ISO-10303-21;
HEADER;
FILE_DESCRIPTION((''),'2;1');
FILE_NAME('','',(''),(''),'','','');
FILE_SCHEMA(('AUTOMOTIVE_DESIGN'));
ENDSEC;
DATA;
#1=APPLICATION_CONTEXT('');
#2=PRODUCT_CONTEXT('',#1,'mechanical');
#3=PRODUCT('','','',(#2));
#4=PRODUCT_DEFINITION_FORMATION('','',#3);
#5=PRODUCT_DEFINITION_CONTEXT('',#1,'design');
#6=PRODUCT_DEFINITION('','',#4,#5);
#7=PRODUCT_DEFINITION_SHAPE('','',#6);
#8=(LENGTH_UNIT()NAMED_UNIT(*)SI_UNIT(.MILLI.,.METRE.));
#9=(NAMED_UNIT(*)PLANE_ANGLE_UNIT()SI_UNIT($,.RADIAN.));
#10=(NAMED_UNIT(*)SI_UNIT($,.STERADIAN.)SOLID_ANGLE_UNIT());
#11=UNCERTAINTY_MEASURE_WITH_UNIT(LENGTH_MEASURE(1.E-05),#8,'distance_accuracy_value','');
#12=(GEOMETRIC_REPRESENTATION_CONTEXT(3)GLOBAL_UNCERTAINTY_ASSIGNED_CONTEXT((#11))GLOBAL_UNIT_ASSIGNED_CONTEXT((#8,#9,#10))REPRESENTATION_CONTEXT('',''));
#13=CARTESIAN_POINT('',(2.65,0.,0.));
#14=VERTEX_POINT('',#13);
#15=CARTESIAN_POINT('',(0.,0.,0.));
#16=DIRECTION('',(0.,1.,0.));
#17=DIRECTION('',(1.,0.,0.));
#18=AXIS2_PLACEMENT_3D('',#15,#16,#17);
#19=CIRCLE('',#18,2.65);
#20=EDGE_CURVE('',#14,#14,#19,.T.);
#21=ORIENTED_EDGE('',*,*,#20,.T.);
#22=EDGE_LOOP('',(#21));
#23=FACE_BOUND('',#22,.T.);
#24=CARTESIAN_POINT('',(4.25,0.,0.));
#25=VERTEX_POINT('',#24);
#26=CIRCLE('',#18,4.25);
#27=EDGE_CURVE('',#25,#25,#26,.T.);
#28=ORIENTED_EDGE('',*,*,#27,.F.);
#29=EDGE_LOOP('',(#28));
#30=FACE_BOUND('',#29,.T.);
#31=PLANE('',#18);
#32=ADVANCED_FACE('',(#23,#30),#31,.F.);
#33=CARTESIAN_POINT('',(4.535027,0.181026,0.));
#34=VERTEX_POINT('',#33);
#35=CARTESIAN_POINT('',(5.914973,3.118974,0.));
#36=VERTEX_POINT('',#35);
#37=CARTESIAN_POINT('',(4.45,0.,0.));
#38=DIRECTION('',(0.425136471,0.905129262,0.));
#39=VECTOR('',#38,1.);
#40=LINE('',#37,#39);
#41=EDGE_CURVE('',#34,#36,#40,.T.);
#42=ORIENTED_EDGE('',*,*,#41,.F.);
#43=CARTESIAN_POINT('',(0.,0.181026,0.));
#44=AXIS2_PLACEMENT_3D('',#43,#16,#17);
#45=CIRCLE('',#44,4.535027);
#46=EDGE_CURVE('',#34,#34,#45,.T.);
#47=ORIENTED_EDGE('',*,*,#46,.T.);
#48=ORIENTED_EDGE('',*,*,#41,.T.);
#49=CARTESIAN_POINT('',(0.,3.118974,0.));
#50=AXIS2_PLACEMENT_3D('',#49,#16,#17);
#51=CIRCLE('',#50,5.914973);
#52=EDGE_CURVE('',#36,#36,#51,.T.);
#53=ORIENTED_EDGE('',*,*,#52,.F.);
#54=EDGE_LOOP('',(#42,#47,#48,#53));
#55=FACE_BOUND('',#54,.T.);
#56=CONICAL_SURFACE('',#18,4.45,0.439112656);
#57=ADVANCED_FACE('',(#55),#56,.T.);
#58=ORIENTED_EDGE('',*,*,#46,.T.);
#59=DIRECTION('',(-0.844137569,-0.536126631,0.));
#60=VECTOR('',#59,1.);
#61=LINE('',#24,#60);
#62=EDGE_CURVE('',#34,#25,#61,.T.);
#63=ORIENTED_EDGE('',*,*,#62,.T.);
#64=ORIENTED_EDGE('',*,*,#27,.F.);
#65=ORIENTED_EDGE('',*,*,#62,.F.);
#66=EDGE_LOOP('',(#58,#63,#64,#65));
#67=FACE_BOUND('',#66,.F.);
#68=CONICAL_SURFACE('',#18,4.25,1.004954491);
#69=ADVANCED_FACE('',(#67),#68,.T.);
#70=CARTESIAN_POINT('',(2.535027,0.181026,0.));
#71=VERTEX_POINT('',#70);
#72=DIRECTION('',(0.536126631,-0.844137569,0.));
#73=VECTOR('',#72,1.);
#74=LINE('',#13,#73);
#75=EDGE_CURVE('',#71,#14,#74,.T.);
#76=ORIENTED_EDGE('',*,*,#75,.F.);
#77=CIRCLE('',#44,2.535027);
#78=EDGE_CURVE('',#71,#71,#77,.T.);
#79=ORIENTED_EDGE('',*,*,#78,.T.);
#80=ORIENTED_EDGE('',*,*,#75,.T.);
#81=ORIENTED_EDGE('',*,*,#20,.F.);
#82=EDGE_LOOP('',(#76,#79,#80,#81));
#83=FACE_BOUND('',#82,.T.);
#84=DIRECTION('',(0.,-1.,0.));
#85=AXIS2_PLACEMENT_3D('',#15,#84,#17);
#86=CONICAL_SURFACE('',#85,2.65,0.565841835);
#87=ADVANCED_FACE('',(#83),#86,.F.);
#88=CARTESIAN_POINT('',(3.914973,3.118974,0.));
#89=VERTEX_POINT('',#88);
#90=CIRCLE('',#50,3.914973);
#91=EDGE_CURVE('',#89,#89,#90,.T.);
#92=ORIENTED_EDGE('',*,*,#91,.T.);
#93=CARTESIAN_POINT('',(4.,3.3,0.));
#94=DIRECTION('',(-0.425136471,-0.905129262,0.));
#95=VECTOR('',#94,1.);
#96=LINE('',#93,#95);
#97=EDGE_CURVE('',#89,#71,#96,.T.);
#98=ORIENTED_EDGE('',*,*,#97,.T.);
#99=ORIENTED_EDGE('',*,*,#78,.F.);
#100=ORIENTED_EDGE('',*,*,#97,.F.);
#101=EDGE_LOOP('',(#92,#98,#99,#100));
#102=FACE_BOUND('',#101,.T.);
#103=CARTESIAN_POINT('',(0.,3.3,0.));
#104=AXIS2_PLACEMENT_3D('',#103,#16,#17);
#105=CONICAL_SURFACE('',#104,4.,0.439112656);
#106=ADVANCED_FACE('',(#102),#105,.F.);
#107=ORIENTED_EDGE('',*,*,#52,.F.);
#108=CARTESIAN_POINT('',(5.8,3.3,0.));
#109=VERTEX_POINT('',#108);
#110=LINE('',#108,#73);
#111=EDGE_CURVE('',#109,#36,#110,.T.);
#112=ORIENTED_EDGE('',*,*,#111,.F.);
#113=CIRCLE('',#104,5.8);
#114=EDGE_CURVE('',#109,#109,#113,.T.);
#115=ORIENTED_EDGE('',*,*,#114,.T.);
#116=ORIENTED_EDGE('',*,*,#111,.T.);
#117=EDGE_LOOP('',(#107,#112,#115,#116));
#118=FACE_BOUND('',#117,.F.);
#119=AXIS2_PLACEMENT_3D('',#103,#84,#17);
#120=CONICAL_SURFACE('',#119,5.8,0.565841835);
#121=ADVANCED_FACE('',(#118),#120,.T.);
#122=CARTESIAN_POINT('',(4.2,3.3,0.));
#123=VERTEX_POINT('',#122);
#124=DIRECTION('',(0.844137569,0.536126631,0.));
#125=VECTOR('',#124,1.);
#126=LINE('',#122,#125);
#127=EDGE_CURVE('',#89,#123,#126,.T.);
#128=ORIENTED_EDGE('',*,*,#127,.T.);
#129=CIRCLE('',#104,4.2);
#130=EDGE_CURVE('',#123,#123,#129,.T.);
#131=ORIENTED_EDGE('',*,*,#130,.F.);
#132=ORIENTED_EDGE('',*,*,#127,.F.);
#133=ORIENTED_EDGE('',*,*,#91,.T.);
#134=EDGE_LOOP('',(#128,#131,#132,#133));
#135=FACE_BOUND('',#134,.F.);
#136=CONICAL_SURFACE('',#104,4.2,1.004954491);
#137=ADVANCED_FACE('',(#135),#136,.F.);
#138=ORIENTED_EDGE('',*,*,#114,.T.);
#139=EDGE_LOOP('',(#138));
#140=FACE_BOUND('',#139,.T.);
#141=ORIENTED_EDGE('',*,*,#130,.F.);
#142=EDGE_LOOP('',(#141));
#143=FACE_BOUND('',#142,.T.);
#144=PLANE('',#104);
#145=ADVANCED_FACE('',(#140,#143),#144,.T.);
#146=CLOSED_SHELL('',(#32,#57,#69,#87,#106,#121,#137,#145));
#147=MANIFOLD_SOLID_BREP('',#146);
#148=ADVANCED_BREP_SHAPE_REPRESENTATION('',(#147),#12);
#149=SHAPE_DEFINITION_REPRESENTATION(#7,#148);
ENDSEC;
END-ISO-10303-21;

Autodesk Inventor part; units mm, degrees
ref_plane "YZ Plane" through (0, 0, 0) normal (1, 0, 0) x (0, 1, 0)
ref_plane "XZ Plane" through (0, 0, 0) normal (0, 1, 0) x (-1, 0, 0)
ref_plane "XY Plane" through (0, 0, 0) normal (0, 0, 1) x (1, 0, 0)
sketch "Sketch1" plane through (0, 0, 0) normal (0, 0, 1) x (1, 0, 0)
  line L0 (0, 0) -> (0, 3.3)
  line L1 (2.45, 0) -> (4.45, 0)
  line L2 (4.45, 0) -> (6, 3.3)
  line L3 (6, 3.3) -> (4, 3.3)
  line L4 (4, 3.3) -> (2.45, 0)
  point P0 (3.45, 0)
  point P1 (5, 3.3)
  dimension "d1" = 3.3
  dimension "d3" = 2
  dimension "d5" = 8
  dimension "d6" = 4.9
revolve "Revolution1" add sketch "Sketch1" angle 360 about axis through (0, 0, 0) along (0, 1, 0)
chamfer "Chamfer1" distance 0.2 angle 45 4 edges at (-6, 3.3, 0) (-4.45, 0, 0) (-4, 3.3, 0) (-2.45, 0, 0)
properties part number "Washer"
